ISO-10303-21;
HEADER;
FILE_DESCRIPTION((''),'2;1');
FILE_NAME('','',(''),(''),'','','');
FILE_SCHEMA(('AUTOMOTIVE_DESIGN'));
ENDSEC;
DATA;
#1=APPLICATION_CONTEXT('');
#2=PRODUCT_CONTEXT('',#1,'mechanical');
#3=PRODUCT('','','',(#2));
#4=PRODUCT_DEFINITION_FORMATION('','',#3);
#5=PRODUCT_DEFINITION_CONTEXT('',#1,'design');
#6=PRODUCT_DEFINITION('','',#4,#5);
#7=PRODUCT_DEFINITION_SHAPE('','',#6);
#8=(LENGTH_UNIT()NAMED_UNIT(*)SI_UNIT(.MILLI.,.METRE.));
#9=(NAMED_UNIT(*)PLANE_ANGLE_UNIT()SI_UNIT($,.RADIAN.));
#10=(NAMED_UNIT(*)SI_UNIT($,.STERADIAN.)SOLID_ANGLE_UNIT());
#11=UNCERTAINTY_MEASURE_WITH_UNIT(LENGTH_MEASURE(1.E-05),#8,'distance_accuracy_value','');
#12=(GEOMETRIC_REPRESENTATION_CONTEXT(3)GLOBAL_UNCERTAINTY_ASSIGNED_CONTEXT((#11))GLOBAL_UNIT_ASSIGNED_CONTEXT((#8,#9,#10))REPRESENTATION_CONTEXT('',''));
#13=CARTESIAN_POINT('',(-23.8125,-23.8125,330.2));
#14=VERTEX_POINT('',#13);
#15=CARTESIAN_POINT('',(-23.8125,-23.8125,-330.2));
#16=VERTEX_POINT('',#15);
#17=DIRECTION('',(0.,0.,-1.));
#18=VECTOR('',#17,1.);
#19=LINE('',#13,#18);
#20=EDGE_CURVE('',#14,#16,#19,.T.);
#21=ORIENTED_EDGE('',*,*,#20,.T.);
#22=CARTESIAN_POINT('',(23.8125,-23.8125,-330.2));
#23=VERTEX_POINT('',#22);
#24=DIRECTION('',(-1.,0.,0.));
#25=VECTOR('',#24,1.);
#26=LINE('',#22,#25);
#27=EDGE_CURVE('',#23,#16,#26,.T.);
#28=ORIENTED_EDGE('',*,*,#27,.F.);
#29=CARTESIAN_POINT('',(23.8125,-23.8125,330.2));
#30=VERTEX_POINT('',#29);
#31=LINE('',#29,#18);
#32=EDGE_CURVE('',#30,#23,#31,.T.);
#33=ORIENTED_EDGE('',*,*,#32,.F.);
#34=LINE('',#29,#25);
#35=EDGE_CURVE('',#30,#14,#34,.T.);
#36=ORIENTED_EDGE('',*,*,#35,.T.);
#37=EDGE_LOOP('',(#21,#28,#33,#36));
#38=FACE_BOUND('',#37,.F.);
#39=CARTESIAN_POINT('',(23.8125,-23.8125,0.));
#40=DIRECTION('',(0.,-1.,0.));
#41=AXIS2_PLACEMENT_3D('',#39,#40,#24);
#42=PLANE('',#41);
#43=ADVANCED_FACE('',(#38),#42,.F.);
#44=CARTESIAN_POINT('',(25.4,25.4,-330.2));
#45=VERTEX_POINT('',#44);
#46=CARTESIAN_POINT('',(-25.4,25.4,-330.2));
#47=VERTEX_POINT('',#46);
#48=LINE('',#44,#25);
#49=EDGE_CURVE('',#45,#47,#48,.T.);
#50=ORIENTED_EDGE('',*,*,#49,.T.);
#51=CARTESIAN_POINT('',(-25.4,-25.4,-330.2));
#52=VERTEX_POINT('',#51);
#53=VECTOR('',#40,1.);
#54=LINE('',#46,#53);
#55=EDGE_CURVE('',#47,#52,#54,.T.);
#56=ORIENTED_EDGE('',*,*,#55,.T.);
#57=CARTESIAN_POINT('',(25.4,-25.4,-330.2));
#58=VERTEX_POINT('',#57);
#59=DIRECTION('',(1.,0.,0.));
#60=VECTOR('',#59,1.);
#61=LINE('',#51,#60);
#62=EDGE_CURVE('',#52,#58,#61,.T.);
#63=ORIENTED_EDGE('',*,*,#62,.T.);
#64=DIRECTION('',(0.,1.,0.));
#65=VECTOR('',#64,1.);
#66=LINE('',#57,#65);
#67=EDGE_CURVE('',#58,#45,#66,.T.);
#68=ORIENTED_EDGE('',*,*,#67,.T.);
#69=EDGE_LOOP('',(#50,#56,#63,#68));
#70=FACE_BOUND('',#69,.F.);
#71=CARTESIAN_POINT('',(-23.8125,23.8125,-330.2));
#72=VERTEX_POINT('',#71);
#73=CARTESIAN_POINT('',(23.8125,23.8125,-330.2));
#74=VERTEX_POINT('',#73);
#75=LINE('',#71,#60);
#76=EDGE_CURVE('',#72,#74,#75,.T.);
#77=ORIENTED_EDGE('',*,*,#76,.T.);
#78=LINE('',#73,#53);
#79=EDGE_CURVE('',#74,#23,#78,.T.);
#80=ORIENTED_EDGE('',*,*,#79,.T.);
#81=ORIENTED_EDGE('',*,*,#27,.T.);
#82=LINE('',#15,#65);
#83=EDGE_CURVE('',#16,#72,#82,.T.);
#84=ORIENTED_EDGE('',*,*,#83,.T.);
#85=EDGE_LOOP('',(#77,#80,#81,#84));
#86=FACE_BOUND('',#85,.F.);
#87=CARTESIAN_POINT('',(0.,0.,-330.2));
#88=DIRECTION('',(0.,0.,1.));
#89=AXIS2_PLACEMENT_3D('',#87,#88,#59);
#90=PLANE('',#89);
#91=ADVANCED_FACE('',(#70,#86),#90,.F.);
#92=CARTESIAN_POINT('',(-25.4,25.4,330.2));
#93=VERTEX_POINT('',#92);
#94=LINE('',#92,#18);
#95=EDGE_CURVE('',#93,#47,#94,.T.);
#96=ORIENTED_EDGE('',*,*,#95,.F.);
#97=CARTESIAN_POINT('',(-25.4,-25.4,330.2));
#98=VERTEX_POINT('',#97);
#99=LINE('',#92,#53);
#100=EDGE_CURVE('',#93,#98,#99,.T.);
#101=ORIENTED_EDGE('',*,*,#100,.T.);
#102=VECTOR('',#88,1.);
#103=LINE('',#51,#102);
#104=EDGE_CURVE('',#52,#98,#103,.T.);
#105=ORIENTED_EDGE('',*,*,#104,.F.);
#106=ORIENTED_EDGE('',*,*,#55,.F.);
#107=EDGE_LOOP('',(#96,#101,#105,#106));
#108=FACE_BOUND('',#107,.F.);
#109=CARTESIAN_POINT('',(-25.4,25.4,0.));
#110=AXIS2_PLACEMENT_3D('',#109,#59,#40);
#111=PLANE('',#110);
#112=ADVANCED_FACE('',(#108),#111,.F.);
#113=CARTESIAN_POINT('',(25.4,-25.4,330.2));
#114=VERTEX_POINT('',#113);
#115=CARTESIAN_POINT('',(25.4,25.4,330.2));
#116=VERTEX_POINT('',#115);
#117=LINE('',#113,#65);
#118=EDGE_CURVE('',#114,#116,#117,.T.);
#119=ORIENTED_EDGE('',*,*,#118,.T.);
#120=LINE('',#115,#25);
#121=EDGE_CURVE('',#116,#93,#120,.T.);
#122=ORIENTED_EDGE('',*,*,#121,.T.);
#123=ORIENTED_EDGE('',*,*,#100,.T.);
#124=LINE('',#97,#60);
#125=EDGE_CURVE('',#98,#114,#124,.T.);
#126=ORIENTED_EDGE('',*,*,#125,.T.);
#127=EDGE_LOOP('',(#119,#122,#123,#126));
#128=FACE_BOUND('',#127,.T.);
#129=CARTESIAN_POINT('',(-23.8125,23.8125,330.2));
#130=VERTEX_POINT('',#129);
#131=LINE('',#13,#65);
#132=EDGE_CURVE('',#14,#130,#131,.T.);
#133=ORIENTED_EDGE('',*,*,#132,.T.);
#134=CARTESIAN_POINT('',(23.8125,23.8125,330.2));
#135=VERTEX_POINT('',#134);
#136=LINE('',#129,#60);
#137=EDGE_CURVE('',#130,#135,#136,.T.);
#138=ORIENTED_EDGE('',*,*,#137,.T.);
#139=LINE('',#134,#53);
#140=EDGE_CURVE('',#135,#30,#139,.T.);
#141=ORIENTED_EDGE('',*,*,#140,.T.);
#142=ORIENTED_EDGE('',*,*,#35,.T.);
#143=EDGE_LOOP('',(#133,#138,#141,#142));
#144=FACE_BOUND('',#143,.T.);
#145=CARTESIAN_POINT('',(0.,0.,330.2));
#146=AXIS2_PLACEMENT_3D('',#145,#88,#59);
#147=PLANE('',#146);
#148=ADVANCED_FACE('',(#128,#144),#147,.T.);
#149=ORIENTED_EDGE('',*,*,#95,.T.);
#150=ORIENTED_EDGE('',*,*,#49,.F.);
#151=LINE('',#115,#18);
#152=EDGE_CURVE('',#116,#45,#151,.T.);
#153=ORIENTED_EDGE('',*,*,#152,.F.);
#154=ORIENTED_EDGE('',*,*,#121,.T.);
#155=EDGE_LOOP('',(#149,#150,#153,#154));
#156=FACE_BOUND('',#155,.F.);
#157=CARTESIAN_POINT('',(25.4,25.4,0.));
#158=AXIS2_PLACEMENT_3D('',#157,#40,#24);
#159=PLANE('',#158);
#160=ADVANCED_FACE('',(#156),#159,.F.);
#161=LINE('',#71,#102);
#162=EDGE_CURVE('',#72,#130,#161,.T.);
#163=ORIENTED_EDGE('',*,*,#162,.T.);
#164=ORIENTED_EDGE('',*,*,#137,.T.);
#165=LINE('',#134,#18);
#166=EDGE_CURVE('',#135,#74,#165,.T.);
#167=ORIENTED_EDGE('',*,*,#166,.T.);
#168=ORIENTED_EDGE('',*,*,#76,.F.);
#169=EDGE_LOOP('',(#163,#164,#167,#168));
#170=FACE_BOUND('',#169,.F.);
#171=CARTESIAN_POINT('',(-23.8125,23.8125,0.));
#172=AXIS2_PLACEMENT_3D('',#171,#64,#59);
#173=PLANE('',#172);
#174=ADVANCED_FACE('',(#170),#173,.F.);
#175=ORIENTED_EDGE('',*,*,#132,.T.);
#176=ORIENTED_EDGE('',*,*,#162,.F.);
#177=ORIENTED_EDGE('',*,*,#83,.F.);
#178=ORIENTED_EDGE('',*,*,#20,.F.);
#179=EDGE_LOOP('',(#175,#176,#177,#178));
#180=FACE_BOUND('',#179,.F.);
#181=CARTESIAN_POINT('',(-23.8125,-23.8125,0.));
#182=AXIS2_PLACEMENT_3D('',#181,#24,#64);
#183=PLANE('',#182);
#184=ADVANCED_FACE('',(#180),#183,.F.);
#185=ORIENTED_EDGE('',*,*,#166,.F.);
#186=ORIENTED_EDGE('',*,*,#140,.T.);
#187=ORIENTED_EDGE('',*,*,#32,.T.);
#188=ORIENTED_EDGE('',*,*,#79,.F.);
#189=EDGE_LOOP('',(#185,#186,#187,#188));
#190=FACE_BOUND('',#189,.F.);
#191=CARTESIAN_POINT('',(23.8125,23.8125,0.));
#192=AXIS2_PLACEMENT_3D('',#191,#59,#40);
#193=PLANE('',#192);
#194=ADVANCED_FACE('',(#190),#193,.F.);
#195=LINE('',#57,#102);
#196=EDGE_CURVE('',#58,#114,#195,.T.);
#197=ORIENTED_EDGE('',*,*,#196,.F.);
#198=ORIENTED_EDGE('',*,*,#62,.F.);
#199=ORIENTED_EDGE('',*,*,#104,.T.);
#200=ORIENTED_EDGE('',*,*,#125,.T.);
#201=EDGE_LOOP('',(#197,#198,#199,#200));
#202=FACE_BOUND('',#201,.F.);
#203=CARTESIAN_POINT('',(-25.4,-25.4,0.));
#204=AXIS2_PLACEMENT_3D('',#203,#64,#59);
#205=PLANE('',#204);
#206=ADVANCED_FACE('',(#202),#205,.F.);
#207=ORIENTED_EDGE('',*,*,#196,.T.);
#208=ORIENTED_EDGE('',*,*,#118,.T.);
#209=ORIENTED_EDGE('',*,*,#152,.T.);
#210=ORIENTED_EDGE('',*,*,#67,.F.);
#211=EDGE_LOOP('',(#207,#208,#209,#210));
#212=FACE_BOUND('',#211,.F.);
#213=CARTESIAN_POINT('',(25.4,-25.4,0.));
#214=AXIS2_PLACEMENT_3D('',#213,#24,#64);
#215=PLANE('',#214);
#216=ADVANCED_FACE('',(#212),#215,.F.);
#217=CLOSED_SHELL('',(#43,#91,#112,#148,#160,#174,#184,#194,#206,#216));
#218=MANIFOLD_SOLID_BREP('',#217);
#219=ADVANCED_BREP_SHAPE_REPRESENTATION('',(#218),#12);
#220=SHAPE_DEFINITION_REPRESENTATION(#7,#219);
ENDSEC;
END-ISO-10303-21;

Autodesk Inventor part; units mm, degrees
ref_plane "YZ Plane" through (0, 0, 0) normal (1, 0, 0) x (0, 1, 0)
ref_plane "XZ Plane" through (0, 0, 0) normal (0, 1, 0) x (-1, 0, 0)
ref_plane "XY Plane" through (0, 0, 0) normal (0, 0, 1) x (1, 0, 0)
sketch "Sketch1" plane through (0, 0, 0) normal (0, 0, 1) x (1, 0, 0)
  line L0 (-25.4, -25.4) -> (25.4, -25.4)
  line L1 (25.4, -25.4) -> (25.4, 25.4)
  line L2 (25.4, 25.4) -> (-25.4, 25.4)
  line L3 (-25.4, 25.4) -> (-25.4, -25.4)
  line L4 (-25.4, -25.4) -> (25.4, 25.4) construction
  line L5 (25.4, -25.4) -> (-25.4, 25.4) construction
  line L6 (-23.8125, 23.8125) -> (23.8125, 23.8125)
  line L7 (23.8125, 23.8125) -> (23.8125, -23.8125)
  line L8 (23.8125, -23.8125) -> (-23.8125, -23.8125)
  line L9 (-23.8125, -23.8125) -> (-23.8125, 23.8125)
  point P0 (0, 0)
  dimension "width" = 50.8
  dimension "height" = 50.8
  dimension "thickness" = 1.5875
extrude "Extrusion1" add sketch "Sketch1" along normal mid plane 660.4
properties part number "EL2-A-001" material "Aluminum 6061"
